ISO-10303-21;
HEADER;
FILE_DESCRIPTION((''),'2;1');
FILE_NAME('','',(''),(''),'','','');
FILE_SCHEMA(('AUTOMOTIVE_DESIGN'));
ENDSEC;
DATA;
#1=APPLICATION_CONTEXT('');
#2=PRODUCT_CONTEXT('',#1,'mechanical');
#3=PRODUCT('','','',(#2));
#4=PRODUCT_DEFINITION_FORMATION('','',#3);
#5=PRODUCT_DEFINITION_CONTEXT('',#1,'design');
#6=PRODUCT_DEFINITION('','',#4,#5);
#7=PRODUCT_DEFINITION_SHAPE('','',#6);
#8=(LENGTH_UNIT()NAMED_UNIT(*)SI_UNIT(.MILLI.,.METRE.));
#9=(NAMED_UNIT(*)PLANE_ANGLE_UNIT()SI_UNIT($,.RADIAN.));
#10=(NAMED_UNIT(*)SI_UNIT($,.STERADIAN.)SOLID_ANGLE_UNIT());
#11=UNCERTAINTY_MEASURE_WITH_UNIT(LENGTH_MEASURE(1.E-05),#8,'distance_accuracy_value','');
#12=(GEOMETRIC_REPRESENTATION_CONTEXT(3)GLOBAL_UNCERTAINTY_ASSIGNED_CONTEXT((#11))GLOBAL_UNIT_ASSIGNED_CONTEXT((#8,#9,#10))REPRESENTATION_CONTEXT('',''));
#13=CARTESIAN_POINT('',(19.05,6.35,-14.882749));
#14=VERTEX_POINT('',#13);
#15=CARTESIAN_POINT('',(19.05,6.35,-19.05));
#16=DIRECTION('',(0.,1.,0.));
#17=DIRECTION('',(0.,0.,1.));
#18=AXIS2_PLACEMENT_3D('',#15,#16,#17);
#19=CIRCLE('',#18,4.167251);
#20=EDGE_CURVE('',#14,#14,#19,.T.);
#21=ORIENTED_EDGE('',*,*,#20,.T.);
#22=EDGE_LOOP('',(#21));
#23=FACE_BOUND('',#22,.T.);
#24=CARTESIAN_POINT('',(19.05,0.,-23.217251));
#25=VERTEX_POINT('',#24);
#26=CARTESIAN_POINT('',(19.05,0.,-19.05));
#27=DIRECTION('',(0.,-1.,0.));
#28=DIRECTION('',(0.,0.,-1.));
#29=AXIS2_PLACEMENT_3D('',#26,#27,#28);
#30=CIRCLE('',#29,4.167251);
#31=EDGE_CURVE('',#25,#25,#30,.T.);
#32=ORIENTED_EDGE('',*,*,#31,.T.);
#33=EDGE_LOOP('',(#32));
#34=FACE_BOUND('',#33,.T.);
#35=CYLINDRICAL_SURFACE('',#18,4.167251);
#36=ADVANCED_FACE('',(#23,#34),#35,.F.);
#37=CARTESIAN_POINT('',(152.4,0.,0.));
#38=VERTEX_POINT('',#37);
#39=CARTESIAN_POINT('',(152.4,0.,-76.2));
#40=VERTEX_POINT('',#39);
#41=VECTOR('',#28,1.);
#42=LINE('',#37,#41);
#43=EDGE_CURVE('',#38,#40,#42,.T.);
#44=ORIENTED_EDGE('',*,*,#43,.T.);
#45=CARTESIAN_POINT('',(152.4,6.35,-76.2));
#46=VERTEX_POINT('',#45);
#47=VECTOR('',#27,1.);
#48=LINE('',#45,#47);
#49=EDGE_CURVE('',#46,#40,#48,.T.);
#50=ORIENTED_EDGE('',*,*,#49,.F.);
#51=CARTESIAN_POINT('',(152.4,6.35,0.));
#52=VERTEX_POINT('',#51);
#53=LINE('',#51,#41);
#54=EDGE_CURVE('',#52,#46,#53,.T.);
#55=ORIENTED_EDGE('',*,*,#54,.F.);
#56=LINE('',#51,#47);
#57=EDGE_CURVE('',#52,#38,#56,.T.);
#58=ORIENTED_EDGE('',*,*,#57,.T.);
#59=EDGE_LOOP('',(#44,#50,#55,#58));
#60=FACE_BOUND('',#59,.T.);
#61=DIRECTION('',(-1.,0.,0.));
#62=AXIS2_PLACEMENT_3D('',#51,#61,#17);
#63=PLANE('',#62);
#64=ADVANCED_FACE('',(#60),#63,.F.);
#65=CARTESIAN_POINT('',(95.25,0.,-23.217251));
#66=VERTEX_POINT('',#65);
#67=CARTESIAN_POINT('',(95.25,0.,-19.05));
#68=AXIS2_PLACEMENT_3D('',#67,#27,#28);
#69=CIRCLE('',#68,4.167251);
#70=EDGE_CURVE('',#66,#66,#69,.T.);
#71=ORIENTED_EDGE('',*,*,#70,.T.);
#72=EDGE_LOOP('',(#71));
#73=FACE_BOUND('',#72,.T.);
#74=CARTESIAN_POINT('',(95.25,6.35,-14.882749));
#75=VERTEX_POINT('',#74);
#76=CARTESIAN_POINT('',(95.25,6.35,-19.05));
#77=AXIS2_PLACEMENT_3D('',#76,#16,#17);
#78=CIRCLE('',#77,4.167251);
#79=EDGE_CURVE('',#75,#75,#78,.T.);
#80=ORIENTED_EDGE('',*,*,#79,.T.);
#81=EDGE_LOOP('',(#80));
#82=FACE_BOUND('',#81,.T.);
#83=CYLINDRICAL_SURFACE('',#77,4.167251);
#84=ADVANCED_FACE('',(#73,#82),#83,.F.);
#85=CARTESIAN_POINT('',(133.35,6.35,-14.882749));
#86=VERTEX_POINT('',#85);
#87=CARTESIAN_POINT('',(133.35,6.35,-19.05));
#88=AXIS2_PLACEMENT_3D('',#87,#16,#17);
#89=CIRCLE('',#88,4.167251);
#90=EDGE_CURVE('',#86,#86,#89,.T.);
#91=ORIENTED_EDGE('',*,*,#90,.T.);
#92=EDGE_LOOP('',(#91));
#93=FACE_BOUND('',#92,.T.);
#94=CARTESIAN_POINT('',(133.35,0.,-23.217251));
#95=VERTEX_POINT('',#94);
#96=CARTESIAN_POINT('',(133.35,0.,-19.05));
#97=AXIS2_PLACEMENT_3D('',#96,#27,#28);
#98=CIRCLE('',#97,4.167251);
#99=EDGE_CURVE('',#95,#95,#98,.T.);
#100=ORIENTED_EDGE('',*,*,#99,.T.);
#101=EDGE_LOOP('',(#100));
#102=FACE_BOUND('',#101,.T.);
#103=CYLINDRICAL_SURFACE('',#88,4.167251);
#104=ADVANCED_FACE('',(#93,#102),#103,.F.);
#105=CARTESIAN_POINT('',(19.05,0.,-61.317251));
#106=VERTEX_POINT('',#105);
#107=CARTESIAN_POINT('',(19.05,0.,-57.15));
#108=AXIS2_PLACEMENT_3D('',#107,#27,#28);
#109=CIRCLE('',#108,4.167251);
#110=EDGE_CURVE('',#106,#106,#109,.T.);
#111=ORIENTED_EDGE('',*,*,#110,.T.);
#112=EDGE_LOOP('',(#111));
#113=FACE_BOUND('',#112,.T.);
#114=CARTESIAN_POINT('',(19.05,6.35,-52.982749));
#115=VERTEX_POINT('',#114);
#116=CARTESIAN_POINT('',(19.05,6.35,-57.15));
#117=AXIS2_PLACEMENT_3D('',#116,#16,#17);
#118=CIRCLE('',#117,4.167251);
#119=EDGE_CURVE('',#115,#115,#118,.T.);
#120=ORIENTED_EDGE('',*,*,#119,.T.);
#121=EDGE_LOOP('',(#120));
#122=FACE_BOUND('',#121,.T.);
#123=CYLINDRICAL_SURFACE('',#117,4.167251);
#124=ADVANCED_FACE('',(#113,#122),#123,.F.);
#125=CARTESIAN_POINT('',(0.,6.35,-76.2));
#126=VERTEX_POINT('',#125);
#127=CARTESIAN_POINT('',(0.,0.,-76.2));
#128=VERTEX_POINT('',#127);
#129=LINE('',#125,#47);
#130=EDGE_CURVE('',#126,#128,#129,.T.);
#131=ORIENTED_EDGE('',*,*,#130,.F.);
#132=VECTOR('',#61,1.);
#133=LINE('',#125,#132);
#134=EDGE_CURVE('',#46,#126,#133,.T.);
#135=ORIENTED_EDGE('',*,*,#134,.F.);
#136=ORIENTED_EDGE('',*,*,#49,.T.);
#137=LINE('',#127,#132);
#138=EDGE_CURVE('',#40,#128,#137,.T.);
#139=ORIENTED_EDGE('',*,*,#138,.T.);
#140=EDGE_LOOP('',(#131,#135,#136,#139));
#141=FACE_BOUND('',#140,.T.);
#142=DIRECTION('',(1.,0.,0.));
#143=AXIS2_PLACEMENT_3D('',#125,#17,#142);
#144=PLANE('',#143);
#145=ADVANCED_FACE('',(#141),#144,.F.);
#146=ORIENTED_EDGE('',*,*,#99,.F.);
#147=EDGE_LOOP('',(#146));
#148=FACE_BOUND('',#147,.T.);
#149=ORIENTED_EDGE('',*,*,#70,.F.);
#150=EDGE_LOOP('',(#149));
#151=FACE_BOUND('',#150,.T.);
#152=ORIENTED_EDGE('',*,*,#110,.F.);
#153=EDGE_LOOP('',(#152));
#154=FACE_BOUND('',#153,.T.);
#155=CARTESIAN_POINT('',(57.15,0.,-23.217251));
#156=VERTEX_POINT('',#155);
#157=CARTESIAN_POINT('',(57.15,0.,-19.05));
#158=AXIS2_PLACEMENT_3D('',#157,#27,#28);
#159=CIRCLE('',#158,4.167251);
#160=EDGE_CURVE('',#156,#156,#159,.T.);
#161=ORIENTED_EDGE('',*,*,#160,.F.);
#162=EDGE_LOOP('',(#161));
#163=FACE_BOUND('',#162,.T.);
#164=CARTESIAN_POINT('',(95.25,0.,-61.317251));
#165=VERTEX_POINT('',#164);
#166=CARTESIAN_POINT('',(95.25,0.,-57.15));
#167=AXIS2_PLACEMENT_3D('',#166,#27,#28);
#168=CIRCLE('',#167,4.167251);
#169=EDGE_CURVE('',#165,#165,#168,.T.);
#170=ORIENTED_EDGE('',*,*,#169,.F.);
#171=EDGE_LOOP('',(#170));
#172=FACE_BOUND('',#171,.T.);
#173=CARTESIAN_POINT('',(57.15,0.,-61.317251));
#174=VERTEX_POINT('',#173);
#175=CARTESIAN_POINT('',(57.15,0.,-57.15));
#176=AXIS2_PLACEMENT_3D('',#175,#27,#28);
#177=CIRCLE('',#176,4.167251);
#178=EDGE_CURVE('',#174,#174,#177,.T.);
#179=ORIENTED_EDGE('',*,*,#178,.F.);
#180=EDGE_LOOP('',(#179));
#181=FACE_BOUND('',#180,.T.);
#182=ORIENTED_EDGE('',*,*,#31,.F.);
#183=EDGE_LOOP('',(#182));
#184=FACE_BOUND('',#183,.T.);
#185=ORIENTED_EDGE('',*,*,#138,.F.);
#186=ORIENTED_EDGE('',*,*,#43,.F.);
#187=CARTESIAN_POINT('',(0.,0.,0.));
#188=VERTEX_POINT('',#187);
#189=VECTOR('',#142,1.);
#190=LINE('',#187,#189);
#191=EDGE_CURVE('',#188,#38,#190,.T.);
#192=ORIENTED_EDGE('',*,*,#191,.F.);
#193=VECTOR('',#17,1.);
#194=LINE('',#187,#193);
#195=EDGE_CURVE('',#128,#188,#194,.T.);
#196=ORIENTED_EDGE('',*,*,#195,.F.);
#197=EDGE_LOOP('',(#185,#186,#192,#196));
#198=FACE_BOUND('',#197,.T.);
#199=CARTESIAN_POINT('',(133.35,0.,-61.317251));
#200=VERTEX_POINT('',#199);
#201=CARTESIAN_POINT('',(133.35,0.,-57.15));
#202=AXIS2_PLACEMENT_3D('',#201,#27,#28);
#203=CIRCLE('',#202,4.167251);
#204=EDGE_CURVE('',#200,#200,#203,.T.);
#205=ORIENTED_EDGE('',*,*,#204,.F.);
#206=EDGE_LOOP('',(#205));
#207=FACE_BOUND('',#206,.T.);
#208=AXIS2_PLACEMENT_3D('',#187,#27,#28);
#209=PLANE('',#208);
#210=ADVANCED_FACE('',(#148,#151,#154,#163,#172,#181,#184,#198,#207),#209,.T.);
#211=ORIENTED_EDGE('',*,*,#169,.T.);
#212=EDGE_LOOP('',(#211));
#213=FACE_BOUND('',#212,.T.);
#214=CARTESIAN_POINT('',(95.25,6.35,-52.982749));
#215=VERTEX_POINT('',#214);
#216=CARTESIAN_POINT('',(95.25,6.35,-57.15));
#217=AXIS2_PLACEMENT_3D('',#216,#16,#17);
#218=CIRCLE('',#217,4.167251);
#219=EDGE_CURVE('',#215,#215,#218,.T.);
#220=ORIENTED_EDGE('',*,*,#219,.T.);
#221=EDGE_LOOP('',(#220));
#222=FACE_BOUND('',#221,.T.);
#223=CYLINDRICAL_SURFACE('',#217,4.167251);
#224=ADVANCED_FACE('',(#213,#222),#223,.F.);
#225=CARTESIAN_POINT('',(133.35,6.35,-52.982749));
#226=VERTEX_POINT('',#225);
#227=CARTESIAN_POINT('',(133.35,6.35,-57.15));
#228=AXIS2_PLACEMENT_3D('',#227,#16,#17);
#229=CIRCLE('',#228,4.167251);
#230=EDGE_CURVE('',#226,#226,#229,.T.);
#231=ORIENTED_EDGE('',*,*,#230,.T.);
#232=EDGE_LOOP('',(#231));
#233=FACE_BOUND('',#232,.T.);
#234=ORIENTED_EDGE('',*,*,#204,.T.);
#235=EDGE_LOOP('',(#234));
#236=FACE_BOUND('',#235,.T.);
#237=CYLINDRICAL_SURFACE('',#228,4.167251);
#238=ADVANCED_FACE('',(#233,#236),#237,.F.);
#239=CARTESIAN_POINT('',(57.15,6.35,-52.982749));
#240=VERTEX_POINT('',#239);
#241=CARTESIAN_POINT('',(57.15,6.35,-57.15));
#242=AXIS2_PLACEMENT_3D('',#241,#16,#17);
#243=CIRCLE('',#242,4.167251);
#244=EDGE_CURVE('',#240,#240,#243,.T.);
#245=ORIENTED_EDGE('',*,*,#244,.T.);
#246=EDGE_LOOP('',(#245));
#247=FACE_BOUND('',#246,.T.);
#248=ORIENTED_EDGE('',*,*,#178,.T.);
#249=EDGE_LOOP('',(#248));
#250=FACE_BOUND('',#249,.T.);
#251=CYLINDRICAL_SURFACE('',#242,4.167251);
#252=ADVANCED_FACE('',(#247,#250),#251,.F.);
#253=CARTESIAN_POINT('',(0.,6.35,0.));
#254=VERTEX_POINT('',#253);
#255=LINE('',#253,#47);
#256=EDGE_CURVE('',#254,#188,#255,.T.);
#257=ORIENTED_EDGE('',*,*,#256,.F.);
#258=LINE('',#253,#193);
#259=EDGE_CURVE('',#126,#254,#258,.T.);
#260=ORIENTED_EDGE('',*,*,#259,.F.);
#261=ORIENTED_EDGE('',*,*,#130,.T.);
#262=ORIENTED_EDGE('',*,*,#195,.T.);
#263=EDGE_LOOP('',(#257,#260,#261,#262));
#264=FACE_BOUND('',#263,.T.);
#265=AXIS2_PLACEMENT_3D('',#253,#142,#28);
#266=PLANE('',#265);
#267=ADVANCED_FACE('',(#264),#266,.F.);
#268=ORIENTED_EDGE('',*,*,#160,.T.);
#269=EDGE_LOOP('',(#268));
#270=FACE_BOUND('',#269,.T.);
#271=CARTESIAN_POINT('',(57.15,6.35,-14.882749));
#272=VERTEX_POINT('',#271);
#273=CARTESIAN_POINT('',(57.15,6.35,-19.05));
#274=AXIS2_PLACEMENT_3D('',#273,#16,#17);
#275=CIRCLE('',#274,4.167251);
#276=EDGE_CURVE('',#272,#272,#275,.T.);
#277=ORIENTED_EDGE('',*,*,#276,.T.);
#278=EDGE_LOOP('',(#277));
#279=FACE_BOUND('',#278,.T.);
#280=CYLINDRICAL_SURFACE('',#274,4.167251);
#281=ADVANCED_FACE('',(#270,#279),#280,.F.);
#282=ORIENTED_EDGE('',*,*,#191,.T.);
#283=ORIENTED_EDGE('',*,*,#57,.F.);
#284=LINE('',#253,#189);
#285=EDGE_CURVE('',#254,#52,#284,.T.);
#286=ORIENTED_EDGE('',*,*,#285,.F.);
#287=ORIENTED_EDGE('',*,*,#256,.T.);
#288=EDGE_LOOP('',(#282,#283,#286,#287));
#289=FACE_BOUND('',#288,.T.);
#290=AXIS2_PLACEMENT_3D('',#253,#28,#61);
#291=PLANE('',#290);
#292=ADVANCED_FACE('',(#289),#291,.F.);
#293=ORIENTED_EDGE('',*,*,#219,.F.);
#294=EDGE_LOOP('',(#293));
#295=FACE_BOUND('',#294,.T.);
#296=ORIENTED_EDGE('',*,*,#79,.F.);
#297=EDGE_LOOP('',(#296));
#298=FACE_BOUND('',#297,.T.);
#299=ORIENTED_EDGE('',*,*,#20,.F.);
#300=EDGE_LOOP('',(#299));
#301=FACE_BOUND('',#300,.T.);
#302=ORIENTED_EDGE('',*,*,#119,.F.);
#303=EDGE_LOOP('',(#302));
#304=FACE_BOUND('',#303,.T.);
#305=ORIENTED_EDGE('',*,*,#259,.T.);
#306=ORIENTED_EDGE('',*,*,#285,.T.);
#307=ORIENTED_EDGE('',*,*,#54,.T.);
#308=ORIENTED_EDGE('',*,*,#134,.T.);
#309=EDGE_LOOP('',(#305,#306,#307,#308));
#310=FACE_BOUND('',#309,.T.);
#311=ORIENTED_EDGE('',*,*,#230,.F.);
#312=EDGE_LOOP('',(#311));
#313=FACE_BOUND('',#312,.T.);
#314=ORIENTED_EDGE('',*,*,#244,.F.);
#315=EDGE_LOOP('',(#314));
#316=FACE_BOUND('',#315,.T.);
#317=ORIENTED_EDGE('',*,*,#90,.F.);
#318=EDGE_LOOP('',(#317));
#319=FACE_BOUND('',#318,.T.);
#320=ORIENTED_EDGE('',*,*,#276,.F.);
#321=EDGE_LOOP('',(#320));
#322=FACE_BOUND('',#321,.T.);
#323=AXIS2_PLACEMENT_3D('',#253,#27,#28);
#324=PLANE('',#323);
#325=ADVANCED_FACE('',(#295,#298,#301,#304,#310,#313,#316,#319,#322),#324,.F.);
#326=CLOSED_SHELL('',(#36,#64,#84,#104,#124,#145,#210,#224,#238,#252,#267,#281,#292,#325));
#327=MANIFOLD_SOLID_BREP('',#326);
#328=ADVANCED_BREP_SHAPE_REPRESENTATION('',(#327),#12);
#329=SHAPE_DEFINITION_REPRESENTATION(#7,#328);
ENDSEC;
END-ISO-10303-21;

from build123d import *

# Parameters (mm, degrees)
SKETCH1_W                        = 152.4
SKETCH1_H                        = 76.2
BOSS_EXTRUDE1_DEPTH              = 6.35
F_21_64_0_32813_DIAMETER_HOLE1_D = 8.334502
LPATTERN1_COUNT                  = 2
LPATTERN1_PITCH                  = 38.1
LPATTERN1_COUNT_DIR2             = 4
LPATTERN1_PITCH_DIR2             = 38.1


with BuildPart() as part:
    # Sketch1 → Boss-Extrude1 (new body)
    with BuildSketch(Plane(origin=(0, 0, 0), x_dir=(1, 0, 0), z_dir=(0, 1, 0))):
        with Locations((76.2, 38.1)):
            Rectangle(SKETCH1_W, SKETCH1_H)
    extrude(amount=BOSS_EXTRUDE1_DEPTH)

    # 21/64 (0.32813) Diameter Hole1 (through all)
    with Locations(Plane(origin=(0, 6.35, 0), x_dir=(1, 0, 0), z_dir=(0, 1, 0))):
        with Locations((19.05, 57.15)):
            f_21_64_0_32813_diameter_hole1 = Hole(F_21_64_0_32813_DIAMETER_HOLE1_D / 2)

    # LPattern1: 21_64 _0.32813_ Diameter Hole1 2 × 4
    with Locations(*[(j * LPATTERN1_PITCH_DIR2, 0, i * LPATTERN1_PITCH) for i in range(LPATTERN1_COUNT) for j in range(LPATTERN1_COUNT_DIR2) if (i, j) != (0, 0)]):
        add(f_21_64_0_32813_diameter_hole1, mode=Mode.SUBTRACT)


solid = part.part
